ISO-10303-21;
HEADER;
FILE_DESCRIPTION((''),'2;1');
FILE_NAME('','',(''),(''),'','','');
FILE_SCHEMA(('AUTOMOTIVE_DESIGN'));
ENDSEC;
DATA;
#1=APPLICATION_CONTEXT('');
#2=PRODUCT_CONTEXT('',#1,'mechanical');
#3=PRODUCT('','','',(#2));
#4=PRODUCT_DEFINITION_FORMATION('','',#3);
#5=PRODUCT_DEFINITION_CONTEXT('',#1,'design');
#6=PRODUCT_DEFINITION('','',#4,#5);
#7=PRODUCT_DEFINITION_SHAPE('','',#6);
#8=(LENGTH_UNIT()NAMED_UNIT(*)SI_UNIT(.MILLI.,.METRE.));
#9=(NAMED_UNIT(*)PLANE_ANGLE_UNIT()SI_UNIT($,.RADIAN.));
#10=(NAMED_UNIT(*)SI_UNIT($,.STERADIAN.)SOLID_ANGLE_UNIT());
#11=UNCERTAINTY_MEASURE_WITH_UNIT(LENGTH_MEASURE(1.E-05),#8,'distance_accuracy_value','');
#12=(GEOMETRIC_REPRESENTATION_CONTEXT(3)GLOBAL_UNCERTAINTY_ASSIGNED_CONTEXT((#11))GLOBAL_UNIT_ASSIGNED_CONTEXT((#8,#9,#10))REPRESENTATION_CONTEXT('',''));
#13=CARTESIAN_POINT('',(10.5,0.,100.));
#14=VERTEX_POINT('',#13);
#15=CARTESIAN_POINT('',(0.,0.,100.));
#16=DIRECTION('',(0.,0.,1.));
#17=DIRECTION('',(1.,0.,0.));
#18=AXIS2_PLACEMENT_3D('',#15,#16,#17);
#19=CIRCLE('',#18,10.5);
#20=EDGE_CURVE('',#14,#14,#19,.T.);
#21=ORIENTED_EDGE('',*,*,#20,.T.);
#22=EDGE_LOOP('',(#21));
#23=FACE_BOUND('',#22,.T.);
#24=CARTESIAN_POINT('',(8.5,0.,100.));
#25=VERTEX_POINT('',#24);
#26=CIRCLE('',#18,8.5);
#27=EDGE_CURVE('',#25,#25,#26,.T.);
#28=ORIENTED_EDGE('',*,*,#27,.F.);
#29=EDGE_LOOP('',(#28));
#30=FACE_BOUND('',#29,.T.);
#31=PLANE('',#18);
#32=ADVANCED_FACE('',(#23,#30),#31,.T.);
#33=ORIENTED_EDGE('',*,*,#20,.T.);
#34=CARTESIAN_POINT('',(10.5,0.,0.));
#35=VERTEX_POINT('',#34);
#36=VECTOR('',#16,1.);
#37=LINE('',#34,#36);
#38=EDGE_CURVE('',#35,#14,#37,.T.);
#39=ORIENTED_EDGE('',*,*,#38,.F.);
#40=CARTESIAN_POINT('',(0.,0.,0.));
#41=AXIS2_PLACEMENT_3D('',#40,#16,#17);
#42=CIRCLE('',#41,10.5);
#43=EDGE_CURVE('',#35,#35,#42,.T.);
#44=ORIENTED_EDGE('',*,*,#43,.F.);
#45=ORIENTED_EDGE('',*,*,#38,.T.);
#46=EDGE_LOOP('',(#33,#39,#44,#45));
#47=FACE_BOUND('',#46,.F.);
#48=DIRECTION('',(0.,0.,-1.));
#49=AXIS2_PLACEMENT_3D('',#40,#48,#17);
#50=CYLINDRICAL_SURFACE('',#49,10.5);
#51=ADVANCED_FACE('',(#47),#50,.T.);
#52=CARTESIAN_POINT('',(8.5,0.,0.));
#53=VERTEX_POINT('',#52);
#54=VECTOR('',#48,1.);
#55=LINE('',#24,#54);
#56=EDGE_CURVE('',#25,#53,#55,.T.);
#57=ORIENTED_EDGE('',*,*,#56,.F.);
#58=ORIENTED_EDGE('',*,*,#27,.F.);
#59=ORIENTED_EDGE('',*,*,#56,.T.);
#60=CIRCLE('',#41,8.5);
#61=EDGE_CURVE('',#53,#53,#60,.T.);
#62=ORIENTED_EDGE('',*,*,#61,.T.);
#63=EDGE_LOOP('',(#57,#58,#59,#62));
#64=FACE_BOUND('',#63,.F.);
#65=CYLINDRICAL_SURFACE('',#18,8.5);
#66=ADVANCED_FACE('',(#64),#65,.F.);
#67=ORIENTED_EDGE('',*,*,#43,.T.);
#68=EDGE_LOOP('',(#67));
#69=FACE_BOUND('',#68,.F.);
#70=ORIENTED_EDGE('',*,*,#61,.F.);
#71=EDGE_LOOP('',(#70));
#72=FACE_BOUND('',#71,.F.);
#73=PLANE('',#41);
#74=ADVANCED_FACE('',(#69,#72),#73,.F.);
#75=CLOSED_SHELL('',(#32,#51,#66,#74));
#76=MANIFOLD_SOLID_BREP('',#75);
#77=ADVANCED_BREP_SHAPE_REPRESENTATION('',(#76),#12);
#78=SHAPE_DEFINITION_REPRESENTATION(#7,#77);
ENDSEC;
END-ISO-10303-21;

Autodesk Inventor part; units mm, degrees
ref_plane "YZ Plane" through (0, 0, 0) normal (1, 0, 0) x (0, 1, 0)
ref_plane "XZ Plane" through (0, 0, 0) normal (0, 1, 0) x (-1, 0, 0)
ref_plane "XY Plane" through (0, 0, 0) normal (0, 0, 1) x (1, 0, 0)
sketch "Sketch1" plane through (0, 0, 0) normal (0, 0, 1) x (1, 0, 0)
  circle A0 centre (0, 0) radius 10.5
  dimension "d0" = 21
extrude "Extrusion1" add sketch "Sketch1" along normal blind 100
sketch "Sketch2" plane through (0, 0, 100) normal (0, 0, 1) x (1, 0, 0)
  circle A0 centre (0, 0) radius 8.5
  dimension "d4" = 17
extrude "Extrusion2" cut sketch "Sketch2" against normal through all
properties part number "buis kort"
